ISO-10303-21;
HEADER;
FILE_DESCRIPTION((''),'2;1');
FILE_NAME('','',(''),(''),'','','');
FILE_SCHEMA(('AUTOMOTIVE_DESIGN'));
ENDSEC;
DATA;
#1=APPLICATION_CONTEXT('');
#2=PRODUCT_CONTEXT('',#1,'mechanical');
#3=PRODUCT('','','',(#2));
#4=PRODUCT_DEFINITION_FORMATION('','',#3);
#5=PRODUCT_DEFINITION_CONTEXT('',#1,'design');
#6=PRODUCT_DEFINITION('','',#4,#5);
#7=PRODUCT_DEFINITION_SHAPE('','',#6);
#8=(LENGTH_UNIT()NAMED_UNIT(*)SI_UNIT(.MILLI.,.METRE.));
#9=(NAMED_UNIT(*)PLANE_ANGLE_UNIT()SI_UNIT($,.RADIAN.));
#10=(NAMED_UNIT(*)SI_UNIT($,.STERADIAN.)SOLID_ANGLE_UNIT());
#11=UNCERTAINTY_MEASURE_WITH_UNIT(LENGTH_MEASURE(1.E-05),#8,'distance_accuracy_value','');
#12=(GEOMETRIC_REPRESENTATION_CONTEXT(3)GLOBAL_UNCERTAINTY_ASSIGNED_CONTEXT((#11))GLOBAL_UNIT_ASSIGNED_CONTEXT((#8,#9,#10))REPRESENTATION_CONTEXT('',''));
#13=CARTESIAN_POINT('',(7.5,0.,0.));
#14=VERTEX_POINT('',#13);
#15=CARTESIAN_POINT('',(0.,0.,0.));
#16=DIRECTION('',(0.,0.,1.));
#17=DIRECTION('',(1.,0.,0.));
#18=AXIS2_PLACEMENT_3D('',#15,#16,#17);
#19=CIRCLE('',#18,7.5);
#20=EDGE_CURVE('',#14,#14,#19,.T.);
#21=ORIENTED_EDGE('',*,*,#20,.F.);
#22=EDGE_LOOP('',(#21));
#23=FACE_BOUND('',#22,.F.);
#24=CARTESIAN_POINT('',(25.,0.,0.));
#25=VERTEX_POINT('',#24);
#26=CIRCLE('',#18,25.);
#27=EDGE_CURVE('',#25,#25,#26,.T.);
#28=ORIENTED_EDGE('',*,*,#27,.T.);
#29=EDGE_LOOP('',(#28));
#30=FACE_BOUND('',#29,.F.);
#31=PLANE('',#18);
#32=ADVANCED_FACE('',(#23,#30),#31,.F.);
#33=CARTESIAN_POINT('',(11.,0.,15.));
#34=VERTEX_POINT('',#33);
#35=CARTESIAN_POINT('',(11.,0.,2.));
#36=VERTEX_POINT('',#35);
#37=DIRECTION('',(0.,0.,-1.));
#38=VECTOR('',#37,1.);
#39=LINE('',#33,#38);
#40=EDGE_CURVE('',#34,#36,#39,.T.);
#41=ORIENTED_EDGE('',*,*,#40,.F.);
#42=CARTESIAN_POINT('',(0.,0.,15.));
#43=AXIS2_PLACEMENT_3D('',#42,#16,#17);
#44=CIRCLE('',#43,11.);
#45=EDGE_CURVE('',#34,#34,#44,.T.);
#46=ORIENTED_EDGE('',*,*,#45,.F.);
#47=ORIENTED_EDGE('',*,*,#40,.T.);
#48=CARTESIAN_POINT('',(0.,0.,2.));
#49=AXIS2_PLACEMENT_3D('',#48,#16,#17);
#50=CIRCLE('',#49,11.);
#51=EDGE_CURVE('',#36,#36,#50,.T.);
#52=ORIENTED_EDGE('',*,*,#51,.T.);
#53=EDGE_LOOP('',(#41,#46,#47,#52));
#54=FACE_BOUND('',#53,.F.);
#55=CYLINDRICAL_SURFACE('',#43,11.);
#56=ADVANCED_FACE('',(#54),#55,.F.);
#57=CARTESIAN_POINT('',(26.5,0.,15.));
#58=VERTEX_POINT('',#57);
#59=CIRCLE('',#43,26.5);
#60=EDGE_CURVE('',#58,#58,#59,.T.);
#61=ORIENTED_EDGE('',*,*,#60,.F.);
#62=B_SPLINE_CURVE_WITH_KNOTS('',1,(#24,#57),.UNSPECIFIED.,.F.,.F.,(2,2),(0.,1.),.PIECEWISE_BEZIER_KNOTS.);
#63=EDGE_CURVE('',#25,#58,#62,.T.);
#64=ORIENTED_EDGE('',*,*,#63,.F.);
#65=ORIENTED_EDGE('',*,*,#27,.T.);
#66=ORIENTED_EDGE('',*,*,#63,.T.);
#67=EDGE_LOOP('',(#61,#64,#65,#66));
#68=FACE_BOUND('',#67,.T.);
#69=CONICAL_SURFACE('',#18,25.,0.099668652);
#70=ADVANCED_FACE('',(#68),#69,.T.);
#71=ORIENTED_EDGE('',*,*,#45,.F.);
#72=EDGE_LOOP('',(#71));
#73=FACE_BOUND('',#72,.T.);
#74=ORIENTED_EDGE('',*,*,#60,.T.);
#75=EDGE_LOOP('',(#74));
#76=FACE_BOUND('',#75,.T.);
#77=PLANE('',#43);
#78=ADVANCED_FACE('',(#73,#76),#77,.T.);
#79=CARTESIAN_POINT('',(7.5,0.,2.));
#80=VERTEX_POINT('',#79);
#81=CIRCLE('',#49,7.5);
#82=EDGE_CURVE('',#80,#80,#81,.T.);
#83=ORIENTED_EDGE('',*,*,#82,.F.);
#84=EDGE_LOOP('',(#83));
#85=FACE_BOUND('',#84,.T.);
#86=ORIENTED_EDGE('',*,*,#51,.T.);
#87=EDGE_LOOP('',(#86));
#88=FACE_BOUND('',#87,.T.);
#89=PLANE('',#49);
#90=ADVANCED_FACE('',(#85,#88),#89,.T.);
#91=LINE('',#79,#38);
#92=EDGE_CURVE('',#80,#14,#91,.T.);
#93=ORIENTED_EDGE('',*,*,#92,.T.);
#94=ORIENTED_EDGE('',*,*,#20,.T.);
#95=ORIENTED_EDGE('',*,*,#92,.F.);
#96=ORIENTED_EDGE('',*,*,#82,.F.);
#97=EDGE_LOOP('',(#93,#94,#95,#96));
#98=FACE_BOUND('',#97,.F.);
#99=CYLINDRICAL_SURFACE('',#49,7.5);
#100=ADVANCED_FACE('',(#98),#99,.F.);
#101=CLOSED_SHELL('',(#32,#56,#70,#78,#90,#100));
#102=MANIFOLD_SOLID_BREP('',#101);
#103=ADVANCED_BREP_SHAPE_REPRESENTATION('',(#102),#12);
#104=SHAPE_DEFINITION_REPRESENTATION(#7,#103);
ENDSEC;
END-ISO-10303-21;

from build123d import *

# Parameters (mm, degrees)
F0_R     = 25
F2_R     = 26.5
F4_R     = 11
F5_DEPTH = 13
F6_R     = 7.5
F7_DEPTH = 25


with BuildPart() as f3:
    # F0 (on Top) → F3 section 0
    with BuildSketch(Plane.XY):
        Circle(F0_R)
    # F2 (on offset) → F3 section 1
    with BuildSketch(Plane.XY.offset(15)):
        Circle(F2_R)
    loft()

    # F4 (on face) → F5 (cut)
    with BuildSketch(Plane.XY.offset(15)):
        Circle(F4_R)
    extrude(amount=-F5_DEPTH, mode=Mode.SUBTRACT)

    # F6 (on face) → F7 (cut)
    with BuildSketch(Plane.XY.offset(2)):
        Circle(F6_R)
    extrude(amount=-F7_DEPTH, mode=Mode.SUBTRACT)


solid = f3.part
